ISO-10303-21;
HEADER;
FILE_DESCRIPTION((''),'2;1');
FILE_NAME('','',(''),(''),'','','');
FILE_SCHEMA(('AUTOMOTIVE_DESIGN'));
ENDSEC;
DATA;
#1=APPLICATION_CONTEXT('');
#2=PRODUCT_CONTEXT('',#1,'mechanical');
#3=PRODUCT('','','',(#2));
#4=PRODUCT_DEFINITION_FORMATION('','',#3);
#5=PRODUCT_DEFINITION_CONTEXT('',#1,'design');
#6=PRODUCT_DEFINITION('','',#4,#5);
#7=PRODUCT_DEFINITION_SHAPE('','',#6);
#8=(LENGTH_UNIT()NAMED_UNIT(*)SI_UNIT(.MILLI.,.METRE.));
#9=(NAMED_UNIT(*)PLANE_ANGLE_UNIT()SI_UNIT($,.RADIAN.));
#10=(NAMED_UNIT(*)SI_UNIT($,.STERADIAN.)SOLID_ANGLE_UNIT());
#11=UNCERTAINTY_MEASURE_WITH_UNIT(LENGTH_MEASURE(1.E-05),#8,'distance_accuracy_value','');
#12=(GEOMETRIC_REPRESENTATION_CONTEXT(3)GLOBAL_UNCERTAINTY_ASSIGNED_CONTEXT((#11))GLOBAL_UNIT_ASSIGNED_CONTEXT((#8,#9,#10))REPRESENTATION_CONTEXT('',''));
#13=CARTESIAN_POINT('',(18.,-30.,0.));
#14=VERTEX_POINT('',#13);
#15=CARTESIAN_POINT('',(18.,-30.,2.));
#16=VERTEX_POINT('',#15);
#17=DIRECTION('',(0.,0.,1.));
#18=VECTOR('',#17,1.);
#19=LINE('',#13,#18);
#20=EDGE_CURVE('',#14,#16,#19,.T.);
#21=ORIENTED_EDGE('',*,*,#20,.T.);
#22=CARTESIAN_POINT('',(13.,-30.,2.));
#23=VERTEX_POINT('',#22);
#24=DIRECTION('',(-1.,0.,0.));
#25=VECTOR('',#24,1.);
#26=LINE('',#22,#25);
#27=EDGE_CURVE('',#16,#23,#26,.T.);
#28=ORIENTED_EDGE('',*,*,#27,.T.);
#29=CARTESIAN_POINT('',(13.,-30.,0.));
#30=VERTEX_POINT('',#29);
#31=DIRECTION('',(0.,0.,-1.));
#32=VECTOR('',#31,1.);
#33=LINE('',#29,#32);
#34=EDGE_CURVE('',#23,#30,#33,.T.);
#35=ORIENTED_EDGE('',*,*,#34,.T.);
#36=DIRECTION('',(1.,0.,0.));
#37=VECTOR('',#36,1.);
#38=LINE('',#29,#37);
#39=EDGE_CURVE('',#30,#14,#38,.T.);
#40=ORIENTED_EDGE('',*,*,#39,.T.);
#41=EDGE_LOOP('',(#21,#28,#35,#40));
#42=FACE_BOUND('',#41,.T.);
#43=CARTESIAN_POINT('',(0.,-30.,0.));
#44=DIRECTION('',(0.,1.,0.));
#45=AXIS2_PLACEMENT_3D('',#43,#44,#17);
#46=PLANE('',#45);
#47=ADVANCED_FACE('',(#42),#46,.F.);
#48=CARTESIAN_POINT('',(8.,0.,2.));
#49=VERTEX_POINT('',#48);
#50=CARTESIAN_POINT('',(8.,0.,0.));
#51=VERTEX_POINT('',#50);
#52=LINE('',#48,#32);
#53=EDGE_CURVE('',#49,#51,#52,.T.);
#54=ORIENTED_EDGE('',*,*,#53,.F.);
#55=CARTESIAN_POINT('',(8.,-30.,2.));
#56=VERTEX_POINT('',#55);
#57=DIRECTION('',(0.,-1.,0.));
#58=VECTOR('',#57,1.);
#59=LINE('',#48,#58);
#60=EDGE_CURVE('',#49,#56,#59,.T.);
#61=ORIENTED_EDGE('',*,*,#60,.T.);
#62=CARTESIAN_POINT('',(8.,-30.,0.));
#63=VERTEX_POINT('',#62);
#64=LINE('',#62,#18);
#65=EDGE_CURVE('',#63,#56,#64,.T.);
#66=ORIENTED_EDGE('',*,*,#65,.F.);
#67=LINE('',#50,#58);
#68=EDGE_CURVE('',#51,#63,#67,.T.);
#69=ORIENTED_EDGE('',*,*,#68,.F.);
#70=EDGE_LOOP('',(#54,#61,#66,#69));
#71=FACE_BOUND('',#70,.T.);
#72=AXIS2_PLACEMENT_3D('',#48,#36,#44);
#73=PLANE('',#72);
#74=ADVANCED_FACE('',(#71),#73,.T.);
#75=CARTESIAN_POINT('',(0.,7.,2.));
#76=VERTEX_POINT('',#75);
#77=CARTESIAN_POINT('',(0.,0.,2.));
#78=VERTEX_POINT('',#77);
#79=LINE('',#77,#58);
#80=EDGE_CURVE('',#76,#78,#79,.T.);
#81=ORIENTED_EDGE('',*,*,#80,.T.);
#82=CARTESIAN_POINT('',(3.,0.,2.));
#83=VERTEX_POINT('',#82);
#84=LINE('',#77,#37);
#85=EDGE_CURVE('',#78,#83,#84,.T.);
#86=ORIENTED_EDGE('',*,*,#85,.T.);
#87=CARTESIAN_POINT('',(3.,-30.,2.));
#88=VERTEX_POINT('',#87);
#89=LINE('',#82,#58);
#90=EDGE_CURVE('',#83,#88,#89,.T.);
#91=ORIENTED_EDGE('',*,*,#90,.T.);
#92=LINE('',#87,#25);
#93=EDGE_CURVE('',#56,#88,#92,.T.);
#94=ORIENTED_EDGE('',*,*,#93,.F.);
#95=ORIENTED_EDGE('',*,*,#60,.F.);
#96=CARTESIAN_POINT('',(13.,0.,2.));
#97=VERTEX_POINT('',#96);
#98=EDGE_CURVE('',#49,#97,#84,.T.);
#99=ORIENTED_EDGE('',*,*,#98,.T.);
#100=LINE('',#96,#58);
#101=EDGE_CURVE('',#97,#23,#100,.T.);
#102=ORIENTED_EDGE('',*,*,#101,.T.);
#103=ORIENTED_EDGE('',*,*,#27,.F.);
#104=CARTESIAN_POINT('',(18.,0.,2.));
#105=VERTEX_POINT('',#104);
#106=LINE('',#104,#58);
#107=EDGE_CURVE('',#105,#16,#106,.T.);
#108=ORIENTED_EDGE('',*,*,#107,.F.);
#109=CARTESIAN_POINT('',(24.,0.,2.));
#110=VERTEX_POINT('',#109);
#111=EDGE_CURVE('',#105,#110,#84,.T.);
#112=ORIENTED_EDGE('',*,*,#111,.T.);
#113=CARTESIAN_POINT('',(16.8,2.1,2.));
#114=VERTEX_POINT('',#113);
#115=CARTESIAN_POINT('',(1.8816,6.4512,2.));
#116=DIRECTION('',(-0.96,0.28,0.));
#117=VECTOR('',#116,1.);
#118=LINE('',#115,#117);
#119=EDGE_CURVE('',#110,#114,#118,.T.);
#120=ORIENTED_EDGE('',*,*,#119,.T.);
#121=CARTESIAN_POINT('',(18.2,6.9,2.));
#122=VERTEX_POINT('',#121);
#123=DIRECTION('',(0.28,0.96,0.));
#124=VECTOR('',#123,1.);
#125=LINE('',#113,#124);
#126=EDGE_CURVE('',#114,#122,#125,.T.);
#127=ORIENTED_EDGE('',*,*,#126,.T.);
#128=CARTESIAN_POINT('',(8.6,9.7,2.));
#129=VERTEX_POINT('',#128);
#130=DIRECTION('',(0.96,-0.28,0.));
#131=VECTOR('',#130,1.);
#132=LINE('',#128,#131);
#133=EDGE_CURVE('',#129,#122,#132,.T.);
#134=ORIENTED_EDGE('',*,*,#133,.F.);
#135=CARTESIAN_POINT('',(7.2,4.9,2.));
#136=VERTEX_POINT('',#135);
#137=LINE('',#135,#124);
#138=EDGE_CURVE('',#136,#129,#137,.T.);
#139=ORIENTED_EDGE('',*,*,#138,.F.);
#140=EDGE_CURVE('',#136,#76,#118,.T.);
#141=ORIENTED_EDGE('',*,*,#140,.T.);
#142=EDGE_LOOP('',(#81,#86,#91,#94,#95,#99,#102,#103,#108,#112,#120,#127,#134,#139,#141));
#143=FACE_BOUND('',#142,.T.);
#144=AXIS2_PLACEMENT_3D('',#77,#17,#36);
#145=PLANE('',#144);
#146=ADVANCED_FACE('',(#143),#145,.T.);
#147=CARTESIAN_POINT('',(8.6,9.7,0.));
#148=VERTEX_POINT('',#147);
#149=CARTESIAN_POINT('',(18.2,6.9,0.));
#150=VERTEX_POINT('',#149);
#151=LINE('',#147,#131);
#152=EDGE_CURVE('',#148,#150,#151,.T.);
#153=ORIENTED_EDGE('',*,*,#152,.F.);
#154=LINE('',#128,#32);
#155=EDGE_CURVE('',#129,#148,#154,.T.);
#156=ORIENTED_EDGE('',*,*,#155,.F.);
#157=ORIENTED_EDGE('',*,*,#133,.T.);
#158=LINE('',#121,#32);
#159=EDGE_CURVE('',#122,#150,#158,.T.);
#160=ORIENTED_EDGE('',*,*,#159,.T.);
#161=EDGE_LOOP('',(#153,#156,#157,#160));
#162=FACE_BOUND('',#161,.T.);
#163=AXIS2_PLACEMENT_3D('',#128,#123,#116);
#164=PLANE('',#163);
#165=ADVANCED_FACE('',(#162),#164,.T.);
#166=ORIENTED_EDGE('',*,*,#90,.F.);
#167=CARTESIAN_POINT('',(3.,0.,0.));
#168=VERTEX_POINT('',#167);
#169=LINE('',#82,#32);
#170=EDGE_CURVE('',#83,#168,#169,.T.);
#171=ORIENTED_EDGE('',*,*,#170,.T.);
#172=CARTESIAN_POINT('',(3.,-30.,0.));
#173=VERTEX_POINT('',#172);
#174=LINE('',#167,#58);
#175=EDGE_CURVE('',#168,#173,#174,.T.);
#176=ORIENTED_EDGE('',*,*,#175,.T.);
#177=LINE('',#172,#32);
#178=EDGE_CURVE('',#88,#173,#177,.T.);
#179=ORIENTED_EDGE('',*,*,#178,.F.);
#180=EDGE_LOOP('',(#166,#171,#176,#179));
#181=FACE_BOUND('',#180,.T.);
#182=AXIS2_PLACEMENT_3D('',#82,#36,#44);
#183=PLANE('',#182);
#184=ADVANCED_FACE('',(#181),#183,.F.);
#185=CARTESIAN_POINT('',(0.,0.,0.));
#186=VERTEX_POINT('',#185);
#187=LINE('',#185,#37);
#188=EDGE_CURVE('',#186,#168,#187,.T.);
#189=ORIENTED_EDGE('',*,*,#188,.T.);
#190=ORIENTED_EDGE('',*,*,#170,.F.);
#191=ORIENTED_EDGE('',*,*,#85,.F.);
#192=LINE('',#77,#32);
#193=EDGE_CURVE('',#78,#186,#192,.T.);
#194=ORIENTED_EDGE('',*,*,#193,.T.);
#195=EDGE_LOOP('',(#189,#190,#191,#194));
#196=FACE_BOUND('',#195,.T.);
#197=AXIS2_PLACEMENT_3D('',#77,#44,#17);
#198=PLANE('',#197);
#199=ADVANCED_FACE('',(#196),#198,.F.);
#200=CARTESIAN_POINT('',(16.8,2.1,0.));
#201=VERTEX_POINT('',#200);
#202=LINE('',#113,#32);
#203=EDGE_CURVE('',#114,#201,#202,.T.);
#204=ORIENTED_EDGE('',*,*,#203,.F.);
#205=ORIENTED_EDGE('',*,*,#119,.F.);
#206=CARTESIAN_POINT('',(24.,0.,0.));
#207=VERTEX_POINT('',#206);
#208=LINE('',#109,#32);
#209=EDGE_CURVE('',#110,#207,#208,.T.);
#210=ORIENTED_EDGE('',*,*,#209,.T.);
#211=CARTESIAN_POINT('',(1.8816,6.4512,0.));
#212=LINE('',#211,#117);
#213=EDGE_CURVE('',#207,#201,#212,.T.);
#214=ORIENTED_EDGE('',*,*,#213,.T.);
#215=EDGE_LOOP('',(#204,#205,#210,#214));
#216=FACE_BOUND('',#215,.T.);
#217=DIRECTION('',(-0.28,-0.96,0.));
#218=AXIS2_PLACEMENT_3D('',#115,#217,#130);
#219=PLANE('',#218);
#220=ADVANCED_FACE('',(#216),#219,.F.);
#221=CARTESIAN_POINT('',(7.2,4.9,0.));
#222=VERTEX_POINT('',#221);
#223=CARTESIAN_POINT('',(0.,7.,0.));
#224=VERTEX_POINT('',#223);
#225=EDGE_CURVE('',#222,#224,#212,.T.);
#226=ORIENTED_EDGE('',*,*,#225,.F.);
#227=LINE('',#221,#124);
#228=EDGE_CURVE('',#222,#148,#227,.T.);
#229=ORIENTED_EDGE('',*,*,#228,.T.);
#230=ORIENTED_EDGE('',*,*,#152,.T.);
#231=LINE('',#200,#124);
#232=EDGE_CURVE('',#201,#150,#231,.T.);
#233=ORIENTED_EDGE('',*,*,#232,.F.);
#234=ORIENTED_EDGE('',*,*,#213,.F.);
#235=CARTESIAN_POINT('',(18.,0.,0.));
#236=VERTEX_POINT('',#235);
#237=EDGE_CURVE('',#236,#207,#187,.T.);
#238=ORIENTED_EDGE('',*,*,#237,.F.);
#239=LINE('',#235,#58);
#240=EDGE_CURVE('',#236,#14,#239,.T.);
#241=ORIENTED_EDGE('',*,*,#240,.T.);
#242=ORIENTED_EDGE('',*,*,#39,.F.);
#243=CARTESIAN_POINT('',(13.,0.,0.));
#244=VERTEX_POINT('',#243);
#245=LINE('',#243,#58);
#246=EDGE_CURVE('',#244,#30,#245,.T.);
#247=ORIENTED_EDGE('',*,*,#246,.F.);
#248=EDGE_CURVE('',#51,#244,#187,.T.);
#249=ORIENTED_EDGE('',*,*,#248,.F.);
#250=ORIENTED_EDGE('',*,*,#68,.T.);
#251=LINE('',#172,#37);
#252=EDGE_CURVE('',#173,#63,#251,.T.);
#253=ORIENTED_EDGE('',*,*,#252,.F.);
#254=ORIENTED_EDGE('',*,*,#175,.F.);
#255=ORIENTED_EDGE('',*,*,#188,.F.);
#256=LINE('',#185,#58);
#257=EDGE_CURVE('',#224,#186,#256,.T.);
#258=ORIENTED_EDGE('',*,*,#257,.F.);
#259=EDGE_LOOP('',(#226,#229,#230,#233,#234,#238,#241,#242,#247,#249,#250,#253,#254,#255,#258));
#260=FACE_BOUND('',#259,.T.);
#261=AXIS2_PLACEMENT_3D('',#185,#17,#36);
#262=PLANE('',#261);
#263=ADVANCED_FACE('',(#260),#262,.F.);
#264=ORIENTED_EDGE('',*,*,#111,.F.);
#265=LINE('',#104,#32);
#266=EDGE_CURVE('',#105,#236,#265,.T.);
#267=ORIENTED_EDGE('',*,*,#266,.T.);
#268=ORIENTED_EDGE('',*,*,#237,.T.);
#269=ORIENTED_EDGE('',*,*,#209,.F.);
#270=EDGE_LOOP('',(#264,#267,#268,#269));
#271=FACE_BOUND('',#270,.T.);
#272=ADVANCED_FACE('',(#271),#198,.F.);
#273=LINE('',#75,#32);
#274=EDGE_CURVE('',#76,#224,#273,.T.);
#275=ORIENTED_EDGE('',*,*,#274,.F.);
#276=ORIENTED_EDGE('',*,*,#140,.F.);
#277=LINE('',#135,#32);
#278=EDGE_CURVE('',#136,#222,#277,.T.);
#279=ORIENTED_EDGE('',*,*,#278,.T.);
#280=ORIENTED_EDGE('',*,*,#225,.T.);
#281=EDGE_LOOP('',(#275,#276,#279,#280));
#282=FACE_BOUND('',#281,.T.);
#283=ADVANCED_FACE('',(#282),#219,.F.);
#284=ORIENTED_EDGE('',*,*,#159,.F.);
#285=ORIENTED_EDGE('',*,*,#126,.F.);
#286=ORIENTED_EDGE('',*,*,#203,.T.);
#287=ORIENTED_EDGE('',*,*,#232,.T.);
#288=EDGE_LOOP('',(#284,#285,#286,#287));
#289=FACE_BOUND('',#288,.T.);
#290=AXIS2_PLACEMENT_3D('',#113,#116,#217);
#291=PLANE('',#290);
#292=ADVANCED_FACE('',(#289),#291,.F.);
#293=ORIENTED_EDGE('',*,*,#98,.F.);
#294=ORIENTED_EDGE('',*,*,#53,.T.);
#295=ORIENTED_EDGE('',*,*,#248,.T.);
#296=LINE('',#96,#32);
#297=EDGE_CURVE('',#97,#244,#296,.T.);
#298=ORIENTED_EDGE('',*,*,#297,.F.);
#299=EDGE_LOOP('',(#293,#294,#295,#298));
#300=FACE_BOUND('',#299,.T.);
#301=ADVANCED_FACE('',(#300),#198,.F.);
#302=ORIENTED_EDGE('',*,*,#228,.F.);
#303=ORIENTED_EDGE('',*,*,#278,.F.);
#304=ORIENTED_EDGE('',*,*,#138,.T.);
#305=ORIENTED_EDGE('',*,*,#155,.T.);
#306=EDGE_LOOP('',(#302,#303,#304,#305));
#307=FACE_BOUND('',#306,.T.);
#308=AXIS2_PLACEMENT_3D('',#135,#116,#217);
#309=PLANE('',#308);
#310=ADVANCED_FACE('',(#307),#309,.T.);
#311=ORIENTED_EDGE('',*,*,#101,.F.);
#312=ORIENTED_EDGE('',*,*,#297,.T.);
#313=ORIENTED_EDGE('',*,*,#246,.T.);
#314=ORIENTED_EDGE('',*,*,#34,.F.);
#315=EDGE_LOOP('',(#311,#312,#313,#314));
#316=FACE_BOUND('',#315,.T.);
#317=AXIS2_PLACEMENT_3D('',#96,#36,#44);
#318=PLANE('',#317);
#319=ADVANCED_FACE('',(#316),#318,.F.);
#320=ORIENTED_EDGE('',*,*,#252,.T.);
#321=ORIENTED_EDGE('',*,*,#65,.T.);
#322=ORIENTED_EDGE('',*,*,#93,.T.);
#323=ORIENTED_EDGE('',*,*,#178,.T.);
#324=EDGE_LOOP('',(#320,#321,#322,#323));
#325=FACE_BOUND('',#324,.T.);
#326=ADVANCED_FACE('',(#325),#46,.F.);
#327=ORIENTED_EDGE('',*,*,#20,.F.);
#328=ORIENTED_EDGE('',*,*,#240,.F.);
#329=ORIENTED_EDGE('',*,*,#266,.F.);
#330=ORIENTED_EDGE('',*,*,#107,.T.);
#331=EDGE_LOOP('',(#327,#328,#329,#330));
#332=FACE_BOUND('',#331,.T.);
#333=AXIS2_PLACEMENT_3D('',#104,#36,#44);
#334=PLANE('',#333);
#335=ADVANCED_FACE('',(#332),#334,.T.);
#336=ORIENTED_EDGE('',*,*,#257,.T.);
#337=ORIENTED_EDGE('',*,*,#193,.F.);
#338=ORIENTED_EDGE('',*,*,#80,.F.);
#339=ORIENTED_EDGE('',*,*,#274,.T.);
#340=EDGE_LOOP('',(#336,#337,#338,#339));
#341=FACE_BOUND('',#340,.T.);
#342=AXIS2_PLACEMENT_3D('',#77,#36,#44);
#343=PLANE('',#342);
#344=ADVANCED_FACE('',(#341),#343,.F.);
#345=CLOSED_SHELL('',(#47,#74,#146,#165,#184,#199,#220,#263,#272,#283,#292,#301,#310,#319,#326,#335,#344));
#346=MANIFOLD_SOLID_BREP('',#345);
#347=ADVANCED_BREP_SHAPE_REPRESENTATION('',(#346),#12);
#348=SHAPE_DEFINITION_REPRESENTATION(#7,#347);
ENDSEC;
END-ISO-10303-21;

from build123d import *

# Parameters (mm, degrees)
SKETCH1_W           = 5
SKETCH1_H           = 100
BOSS_EXTRUDE1_DEPTH = 2
SKETCH2_W           = 5
SKETCH2_H           = 2
CUT_EXTRUDE1_DEPTH  = 50
SKETCH3_W           = 5
SKETCH3_H           = 2
CUT_EXTRUDE2_DEPTH  = 20


with BuildPart() as part:
    # Sketch1 → Boss-Extrude1 (new body)
    with BuildSketch(Plane.XY):
        with Locations((5.5, -50)):
            Rectangle(SKETCH1_W, SKETCH1_H)
        with Locations((15.5, -50)):
            Rectangle(SKETCH1_W, SKETCH1_H)
        Polygon((24, 0), (0, 7), (0, 0), align=None)
        Polygon((8.6, 9.7), (18.2, 6.9), (16.8, 2.1), (7.2, 4.9), align=None)
    extrude(amount=BOSS_EXTRUDE1_DEPTH)

    # Sketch2 → Cut-Extrude1 (cut)
    with BuildSketch(Plane.XZ.offset(100)):
        with Locations((5.5, 1)):
            Rectangle(SKETCH2_W, SKETCH2_H)
        with Locations((15.5, 1)):
            Rectangle(SKETCH2_W, SKETCH2_H)
    extrude(amount=-CUT_EXTRUDE1_DEPTH, mode=Mode.SUBTRACT)

    # Sketch3 → Cut-Extrude2 (cut)
    with BuildSketch(Plane(origin=(0, -50, 0), x_dir=(-1, 0, 0), z_dir=(0, -1, 0))):
        with Locations((-5.5, -1)):
            Rectangle(SKETCH3_W, SKETCH3_H)
        with Locations((-15.5, -1)):
            Rectangle(SKETCH3_W, SKETCH3_H)
    extrude(amount=-CUT_EXTRUDE2_DEPTH, mode=Mode.SUBTRACT)


solid = part.part
